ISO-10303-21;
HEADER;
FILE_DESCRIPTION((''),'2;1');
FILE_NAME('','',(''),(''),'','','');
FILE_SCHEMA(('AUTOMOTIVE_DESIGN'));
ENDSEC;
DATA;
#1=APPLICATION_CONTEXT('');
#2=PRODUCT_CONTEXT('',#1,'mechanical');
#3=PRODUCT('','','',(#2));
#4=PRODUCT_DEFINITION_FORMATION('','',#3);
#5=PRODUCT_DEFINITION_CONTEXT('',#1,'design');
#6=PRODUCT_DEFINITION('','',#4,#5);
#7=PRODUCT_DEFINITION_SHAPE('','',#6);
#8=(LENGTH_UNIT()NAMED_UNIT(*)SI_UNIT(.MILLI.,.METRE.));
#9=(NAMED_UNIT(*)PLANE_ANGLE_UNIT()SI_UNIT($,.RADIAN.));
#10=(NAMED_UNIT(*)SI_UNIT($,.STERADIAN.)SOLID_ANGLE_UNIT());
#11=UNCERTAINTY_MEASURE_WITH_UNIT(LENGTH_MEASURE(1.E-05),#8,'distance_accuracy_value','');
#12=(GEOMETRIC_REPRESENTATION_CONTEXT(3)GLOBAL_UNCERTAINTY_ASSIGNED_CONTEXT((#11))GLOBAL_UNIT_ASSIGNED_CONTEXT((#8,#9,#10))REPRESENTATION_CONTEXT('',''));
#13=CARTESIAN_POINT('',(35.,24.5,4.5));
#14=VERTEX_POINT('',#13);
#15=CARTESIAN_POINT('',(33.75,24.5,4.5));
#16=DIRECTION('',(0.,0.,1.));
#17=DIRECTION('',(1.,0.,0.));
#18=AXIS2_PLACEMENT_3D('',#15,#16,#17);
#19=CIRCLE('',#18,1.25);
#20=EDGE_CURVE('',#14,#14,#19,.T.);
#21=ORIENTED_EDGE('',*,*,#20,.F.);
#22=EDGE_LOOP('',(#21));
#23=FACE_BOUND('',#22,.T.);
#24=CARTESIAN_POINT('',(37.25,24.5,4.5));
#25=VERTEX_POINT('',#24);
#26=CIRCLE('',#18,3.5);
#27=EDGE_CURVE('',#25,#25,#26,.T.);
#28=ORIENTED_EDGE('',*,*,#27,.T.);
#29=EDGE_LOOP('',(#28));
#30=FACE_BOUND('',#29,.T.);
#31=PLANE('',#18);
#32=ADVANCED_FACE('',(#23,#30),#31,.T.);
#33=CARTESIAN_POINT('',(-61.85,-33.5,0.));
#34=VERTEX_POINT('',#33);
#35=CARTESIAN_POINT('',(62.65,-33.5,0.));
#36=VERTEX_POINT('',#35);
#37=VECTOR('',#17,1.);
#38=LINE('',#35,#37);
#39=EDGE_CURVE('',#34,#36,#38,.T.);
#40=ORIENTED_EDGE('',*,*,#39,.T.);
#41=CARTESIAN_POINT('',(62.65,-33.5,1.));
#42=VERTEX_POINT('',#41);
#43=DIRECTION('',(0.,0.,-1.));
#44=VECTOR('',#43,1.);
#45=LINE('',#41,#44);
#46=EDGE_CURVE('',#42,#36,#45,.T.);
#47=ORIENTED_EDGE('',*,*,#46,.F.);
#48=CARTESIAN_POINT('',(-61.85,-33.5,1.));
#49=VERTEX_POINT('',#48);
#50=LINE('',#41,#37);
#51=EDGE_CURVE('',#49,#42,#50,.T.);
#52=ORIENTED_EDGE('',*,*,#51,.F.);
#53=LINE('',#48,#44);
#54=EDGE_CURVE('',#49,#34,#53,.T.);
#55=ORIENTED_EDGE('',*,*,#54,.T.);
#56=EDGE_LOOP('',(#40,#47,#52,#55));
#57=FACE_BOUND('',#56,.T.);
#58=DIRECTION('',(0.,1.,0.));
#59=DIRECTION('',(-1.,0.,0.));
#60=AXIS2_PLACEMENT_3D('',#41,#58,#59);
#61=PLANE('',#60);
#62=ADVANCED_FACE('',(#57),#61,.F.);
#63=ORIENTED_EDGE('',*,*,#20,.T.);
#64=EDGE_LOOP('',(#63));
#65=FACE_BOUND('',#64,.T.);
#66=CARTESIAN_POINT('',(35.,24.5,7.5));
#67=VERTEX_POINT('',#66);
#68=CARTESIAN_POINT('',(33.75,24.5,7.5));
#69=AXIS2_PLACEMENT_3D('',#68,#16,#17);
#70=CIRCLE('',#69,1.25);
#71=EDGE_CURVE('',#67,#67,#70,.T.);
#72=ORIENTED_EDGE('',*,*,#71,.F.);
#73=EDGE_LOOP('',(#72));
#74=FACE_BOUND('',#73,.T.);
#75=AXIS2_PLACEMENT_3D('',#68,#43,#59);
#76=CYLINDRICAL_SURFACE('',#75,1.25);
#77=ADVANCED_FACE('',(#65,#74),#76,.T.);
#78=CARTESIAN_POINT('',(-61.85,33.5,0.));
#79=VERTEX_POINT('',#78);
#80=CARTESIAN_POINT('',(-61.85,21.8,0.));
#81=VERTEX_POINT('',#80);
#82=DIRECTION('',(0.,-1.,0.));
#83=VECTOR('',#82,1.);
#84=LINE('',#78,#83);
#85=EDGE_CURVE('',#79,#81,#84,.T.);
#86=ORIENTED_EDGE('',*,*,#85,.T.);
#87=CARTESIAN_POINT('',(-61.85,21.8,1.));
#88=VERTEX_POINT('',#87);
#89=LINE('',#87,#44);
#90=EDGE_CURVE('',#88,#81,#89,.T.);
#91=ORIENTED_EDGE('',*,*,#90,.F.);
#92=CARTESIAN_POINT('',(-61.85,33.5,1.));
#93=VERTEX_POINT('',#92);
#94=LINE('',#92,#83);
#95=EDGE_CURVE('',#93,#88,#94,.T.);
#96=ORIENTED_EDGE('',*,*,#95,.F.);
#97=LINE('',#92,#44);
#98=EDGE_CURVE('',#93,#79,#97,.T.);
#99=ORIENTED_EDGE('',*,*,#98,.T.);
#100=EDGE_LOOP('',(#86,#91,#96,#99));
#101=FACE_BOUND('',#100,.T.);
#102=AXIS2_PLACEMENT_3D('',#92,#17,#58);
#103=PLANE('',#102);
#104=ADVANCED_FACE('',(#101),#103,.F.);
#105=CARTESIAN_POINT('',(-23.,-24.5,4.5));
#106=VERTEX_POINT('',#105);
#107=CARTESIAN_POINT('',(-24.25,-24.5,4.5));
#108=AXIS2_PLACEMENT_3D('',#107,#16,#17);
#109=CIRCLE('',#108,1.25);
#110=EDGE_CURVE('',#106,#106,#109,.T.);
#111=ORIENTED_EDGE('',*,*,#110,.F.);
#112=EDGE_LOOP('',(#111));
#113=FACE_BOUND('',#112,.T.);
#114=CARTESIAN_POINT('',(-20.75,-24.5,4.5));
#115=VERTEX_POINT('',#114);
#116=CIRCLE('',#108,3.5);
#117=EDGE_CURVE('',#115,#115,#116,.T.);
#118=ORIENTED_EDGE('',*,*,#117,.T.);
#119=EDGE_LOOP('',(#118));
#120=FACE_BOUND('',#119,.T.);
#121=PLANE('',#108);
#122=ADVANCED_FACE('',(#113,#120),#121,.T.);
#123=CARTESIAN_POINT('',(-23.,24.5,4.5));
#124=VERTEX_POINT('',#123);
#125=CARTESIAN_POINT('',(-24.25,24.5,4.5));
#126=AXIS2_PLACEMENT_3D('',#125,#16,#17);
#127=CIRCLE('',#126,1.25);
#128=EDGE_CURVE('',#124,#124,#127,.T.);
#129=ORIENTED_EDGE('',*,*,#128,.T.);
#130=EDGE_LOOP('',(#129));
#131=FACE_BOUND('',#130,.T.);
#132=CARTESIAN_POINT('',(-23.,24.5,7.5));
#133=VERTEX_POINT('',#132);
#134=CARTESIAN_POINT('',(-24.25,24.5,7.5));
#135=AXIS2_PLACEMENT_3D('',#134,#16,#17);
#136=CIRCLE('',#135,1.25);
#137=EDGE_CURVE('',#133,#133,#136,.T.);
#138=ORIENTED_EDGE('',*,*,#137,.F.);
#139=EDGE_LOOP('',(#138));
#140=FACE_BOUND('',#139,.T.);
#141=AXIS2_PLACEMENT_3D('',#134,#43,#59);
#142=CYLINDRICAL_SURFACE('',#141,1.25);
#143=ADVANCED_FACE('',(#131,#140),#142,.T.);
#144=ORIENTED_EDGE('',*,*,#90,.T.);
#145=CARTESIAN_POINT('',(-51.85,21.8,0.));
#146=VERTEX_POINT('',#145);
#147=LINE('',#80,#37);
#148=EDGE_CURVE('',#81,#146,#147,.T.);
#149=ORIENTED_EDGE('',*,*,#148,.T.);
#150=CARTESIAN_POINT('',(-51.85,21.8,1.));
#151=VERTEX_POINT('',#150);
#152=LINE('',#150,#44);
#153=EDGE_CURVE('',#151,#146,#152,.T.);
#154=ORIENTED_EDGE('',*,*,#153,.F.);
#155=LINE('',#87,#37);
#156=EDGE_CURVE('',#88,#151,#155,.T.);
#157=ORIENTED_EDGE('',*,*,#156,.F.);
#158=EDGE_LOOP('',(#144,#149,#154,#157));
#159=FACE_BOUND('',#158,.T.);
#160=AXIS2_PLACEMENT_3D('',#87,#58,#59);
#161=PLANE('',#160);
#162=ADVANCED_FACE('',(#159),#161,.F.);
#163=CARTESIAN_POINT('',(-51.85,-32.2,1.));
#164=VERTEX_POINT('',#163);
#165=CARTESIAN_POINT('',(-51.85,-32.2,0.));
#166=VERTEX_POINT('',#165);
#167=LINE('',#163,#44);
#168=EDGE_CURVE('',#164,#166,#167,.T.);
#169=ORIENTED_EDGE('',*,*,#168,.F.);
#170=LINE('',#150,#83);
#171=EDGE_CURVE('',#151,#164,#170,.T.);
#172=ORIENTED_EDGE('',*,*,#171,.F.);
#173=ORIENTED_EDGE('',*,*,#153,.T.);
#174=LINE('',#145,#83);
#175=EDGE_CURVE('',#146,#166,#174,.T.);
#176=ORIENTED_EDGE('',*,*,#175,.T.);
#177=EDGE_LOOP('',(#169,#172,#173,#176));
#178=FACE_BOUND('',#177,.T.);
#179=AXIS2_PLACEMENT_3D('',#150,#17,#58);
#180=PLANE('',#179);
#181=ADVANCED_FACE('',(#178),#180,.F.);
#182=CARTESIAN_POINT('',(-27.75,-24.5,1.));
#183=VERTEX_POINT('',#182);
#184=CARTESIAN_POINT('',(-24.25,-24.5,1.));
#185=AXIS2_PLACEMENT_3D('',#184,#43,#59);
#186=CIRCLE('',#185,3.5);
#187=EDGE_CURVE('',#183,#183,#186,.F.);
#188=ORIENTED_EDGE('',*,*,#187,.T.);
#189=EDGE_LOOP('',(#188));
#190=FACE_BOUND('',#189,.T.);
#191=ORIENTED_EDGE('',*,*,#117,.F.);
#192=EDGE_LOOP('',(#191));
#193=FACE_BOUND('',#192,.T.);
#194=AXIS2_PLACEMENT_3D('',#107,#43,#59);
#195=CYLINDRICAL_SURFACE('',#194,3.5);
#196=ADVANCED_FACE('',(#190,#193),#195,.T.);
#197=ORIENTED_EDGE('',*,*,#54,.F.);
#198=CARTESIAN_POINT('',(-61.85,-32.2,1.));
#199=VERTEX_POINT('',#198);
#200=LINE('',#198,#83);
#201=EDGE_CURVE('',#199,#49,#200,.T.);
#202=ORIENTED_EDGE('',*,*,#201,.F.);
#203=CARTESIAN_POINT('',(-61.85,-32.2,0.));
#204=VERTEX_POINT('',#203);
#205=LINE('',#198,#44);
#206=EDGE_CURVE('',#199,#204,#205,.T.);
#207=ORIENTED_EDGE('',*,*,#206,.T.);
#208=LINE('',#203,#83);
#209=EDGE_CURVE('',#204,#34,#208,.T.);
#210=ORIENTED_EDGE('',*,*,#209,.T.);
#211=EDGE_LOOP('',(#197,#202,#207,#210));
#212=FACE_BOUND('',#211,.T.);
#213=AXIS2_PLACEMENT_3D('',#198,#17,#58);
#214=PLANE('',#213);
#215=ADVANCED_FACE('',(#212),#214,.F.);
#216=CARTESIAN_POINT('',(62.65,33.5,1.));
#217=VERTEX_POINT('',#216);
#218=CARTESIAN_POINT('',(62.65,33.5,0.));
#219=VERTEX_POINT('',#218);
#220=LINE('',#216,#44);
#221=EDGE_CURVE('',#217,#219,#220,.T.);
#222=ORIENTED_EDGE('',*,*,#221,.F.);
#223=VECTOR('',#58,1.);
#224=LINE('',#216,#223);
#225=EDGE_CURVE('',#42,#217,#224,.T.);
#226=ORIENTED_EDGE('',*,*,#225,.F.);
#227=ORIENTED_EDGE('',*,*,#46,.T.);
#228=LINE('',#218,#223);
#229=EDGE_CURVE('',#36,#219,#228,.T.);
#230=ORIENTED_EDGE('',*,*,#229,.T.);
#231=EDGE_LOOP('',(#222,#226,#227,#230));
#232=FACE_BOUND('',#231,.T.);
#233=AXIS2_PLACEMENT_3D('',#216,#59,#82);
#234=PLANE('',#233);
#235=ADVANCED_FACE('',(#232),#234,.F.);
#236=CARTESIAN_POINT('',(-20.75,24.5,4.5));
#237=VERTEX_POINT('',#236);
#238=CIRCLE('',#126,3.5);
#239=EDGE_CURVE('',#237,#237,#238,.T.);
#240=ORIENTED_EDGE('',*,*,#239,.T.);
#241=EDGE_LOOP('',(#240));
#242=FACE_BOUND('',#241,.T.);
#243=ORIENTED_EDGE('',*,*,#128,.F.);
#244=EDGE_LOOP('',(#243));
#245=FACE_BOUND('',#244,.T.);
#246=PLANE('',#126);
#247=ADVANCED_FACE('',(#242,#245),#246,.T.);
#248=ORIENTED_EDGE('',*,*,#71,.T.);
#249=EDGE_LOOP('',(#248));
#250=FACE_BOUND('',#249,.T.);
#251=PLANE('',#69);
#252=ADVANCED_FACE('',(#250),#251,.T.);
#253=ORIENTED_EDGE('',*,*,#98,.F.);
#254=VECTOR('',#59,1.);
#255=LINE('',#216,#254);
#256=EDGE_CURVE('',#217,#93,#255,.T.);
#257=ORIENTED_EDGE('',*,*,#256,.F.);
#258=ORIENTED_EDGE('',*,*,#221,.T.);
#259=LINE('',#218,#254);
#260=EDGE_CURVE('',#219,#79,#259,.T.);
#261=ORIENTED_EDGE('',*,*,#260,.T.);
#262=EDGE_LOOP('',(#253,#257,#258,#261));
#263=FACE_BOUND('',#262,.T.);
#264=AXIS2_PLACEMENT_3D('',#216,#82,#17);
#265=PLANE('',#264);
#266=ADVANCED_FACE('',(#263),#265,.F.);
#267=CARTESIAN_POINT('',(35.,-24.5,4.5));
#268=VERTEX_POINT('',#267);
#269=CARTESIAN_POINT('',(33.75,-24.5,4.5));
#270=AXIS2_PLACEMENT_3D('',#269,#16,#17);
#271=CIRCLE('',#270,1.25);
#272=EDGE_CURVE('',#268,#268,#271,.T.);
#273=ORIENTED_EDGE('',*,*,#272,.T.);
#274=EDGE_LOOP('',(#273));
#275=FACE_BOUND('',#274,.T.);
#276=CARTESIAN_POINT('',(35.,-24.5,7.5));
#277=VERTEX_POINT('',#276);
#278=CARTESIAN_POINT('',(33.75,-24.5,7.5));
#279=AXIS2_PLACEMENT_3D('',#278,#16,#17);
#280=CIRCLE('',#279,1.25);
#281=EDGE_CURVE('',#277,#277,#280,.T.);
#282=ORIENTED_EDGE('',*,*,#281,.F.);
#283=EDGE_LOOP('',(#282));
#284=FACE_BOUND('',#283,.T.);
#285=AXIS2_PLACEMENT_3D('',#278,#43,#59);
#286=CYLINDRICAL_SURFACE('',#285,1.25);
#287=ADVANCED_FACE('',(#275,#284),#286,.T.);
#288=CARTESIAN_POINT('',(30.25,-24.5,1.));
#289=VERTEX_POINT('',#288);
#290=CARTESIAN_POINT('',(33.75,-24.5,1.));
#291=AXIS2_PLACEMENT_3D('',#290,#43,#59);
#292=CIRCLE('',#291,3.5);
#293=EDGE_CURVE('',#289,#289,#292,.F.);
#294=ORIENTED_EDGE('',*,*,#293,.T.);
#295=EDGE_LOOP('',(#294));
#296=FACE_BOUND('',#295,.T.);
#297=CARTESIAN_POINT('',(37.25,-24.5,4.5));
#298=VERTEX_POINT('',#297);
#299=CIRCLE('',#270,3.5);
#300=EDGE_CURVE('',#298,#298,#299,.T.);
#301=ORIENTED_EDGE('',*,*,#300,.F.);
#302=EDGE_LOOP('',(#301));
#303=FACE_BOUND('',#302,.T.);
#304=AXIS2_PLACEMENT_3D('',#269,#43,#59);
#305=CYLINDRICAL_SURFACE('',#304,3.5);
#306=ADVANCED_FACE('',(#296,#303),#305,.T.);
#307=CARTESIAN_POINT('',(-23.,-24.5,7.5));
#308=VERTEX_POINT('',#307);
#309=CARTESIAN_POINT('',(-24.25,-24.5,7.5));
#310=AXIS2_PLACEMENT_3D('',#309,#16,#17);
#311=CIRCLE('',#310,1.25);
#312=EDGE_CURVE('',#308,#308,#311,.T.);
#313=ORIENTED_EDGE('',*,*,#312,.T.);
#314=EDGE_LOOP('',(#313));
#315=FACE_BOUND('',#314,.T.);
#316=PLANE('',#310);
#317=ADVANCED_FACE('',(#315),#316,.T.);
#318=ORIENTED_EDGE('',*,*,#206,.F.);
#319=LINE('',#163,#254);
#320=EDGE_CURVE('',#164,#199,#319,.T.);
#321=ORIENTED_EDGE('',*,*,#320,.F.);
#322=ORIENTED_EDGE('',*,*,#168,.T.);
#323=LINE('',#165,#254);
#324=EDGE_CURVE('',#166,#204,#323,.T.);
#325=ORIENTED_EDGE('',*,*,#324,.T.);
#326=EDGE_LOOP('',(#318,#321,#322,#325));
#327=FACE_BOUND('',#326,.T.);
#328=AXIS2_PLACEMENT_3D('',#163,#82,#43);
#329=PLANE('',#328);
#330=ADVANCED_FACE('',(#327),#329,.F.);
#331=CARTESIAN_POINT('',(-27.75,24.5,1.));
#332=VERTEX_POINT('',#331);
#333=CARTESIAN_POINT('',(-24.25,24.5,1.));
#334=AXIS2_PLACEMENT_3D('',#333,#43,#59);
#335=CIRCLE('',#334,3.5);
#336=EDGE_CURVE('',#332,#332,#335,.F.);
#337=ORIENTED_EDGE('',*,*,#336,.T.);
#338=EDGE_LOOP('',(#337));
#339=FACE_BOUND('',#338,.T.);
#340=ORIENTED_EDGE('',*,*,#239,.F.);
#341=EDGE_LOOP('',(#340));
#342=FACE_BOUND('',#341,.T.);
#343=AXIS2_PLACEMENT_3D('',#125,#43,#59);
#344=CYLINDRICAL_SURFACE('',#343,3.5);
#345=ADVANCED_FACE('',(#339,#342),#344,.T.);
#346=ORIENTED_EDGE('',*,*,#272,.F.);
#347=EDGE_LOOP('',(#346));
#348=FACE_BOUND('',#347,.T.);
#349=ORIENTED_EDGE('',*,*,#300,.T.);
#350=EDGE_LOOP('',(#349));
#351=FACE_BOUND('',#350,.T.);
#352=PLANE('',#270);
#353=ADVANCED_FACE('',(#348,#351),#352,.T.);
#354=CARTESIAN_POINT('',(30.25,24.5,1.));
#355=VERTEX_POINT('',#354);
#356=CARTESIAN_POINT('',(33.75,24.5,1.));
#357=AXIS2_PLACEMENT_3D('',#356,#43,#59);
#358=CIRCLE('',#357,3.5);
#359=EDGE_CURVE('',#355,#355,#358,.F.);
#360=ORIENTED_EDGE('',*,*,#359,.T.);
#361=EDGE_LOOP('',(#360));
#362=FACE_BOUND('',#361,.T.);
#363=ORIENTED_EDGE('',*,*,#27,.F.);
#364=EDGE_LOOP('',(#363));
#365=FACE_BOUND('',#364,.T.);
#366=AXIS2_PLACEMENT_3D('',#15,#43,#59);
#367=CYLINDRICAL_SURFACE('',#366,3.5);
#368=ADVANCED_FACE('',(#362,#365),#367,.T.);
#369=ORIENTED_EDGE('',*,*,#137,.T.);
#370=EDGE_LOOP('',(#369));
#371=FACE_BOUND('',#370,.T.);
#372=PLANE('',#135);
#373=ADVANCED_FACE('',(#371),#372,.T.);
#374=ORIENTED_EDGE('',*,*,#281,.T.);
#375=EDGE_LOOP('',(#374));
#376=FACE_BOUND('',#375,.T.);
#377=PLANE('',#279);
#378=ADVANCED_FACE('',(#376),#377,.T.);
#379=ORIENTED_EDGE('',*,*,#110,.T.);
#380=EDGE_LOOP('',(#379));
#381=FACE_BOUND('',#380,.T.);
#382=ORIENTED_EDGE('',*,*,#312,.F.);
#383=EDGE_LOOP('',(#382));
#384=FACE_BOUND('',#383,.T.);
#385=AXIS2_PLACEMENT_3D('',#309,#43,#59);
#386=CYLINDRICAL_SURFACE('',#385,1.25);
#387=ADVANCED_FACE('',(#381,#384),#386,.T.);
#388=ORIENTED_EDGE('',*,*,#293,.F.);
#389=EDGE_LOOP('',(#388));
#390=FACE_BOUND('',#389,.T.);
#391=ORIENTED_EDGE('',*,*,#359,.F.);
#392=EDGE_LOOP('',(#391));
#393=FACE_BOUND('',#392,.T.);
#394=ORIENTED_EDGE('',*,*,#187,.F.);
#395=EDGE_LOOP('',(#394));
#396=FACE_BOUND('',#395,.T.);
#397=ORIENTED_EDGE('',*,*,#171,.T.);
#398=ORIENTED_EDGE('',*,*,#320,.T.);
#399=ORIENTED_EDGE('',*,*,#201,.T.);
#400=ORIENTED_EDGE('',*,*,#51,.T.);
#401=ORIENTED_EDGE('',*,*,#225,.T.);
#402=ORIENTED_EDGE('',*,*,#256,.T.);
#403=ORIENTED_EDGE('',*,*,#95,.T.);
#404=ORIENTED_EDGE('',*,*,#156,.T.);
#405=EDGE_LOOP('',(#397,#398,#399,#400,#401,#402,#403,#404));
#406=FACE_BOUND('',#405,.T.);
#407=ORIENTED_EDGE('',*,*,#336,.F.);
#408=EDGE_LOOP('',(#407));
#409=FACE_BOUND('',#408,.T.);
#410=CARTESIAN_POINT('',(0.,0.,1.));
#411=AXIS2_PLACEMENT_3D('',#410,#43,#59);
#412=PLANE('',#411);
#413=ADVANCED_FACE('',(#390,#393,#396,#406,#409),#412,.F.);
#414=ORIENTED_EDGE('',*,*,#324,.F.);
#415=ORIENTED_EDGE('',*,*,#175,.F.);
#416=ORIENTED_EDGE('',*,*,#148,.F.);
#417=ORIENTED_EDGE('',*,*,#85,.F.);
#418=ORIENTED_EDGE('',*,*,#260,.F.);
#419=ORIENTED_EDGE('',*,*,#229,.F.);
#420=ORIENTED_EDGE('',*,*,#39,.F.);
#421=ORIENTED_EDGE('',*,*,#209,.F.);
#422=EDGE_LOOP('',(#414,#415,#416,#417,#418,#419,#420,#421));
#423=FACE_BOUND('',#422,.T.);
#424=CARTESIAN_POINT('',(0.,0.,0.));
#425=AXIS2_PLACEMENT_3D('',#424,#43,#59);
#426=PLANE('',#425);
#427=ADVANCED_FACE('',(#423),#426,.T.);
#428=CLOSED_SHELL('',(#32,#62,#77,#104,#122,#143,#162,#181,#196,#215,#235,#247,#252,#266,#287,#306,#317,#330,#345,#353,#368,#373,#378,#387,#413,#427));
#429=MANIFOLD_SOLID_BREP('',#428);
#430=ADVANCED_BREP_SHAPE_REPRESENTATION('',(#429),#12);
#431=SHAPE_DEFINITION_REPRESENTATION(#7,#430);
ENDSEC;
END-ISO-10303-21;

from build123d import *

# Parameters (mm, degrees)
BOSS_EXTRUDE1_DEPTH = 1
SKETCH2_R           = 3.5
BOSS_EXTRUDE2_DEPTH = 3.5
SKETCH3_R           = 1.25
BOSS_EXTRUDE3_DEPTH = 3


with BuildPart() as part:
    # Sketch1 → Boss-Extrude1 (new body)
    with BuildSketch(Plane.XY):
        Polygon((-61.85, 33.5), (-61.85, 21.8), (-51.85, 21.8), (-51.85, -32.2), (-61.85, -32.2), (-61.85, -33.5), (62.65, -33.5), (62.65, 33.5), align=None)
    extrude(amount=BOSS_EXTRUDE1_DEPTH)

    # Sketch2 → Boss-Extrude2 (add)
    with BuildSketch(Plane.XY.offset(1)):
        with Locations(Location((-24.25, 24.5, 0), (0, 0, 180))):
            Circle(SKETCH2_R)
        with Locations(Location((33.75, 24.5, 0), (0, 0, 180))):
            Circle(SKETCH2_R)
        with Locations(Location((33.75, -24.5, 0), (0, 0, 180))):
            Circle(SKETCH2_R)
        with Locations(Location((-24.25, -24.5, 0), (0, 0, 180))):
            Circle(SKETCH2_R)
    extrude(amount=BOSS_EXTRUDE2_DEPTH)

    # Sketch3 → Boss-Extrude3 (add)
    with BuildSketch(Plane.XY.offset(4.5)):
        with Locations((-24.25, 24.5)):
            Circle(SKETCH3_R)
        with Locations((33.75, 24.5)):
            Circle(SKETCH3_R)
        with Locations((33.75, -24.5)):
            Circle(SKETCH3_R)
        with Locations((-24.25, -24.5)):
            Circle(SKETCH3_R)
    extrude(amount=BOSS_EXTRUDE3_DEPTH)


solid = part.part
